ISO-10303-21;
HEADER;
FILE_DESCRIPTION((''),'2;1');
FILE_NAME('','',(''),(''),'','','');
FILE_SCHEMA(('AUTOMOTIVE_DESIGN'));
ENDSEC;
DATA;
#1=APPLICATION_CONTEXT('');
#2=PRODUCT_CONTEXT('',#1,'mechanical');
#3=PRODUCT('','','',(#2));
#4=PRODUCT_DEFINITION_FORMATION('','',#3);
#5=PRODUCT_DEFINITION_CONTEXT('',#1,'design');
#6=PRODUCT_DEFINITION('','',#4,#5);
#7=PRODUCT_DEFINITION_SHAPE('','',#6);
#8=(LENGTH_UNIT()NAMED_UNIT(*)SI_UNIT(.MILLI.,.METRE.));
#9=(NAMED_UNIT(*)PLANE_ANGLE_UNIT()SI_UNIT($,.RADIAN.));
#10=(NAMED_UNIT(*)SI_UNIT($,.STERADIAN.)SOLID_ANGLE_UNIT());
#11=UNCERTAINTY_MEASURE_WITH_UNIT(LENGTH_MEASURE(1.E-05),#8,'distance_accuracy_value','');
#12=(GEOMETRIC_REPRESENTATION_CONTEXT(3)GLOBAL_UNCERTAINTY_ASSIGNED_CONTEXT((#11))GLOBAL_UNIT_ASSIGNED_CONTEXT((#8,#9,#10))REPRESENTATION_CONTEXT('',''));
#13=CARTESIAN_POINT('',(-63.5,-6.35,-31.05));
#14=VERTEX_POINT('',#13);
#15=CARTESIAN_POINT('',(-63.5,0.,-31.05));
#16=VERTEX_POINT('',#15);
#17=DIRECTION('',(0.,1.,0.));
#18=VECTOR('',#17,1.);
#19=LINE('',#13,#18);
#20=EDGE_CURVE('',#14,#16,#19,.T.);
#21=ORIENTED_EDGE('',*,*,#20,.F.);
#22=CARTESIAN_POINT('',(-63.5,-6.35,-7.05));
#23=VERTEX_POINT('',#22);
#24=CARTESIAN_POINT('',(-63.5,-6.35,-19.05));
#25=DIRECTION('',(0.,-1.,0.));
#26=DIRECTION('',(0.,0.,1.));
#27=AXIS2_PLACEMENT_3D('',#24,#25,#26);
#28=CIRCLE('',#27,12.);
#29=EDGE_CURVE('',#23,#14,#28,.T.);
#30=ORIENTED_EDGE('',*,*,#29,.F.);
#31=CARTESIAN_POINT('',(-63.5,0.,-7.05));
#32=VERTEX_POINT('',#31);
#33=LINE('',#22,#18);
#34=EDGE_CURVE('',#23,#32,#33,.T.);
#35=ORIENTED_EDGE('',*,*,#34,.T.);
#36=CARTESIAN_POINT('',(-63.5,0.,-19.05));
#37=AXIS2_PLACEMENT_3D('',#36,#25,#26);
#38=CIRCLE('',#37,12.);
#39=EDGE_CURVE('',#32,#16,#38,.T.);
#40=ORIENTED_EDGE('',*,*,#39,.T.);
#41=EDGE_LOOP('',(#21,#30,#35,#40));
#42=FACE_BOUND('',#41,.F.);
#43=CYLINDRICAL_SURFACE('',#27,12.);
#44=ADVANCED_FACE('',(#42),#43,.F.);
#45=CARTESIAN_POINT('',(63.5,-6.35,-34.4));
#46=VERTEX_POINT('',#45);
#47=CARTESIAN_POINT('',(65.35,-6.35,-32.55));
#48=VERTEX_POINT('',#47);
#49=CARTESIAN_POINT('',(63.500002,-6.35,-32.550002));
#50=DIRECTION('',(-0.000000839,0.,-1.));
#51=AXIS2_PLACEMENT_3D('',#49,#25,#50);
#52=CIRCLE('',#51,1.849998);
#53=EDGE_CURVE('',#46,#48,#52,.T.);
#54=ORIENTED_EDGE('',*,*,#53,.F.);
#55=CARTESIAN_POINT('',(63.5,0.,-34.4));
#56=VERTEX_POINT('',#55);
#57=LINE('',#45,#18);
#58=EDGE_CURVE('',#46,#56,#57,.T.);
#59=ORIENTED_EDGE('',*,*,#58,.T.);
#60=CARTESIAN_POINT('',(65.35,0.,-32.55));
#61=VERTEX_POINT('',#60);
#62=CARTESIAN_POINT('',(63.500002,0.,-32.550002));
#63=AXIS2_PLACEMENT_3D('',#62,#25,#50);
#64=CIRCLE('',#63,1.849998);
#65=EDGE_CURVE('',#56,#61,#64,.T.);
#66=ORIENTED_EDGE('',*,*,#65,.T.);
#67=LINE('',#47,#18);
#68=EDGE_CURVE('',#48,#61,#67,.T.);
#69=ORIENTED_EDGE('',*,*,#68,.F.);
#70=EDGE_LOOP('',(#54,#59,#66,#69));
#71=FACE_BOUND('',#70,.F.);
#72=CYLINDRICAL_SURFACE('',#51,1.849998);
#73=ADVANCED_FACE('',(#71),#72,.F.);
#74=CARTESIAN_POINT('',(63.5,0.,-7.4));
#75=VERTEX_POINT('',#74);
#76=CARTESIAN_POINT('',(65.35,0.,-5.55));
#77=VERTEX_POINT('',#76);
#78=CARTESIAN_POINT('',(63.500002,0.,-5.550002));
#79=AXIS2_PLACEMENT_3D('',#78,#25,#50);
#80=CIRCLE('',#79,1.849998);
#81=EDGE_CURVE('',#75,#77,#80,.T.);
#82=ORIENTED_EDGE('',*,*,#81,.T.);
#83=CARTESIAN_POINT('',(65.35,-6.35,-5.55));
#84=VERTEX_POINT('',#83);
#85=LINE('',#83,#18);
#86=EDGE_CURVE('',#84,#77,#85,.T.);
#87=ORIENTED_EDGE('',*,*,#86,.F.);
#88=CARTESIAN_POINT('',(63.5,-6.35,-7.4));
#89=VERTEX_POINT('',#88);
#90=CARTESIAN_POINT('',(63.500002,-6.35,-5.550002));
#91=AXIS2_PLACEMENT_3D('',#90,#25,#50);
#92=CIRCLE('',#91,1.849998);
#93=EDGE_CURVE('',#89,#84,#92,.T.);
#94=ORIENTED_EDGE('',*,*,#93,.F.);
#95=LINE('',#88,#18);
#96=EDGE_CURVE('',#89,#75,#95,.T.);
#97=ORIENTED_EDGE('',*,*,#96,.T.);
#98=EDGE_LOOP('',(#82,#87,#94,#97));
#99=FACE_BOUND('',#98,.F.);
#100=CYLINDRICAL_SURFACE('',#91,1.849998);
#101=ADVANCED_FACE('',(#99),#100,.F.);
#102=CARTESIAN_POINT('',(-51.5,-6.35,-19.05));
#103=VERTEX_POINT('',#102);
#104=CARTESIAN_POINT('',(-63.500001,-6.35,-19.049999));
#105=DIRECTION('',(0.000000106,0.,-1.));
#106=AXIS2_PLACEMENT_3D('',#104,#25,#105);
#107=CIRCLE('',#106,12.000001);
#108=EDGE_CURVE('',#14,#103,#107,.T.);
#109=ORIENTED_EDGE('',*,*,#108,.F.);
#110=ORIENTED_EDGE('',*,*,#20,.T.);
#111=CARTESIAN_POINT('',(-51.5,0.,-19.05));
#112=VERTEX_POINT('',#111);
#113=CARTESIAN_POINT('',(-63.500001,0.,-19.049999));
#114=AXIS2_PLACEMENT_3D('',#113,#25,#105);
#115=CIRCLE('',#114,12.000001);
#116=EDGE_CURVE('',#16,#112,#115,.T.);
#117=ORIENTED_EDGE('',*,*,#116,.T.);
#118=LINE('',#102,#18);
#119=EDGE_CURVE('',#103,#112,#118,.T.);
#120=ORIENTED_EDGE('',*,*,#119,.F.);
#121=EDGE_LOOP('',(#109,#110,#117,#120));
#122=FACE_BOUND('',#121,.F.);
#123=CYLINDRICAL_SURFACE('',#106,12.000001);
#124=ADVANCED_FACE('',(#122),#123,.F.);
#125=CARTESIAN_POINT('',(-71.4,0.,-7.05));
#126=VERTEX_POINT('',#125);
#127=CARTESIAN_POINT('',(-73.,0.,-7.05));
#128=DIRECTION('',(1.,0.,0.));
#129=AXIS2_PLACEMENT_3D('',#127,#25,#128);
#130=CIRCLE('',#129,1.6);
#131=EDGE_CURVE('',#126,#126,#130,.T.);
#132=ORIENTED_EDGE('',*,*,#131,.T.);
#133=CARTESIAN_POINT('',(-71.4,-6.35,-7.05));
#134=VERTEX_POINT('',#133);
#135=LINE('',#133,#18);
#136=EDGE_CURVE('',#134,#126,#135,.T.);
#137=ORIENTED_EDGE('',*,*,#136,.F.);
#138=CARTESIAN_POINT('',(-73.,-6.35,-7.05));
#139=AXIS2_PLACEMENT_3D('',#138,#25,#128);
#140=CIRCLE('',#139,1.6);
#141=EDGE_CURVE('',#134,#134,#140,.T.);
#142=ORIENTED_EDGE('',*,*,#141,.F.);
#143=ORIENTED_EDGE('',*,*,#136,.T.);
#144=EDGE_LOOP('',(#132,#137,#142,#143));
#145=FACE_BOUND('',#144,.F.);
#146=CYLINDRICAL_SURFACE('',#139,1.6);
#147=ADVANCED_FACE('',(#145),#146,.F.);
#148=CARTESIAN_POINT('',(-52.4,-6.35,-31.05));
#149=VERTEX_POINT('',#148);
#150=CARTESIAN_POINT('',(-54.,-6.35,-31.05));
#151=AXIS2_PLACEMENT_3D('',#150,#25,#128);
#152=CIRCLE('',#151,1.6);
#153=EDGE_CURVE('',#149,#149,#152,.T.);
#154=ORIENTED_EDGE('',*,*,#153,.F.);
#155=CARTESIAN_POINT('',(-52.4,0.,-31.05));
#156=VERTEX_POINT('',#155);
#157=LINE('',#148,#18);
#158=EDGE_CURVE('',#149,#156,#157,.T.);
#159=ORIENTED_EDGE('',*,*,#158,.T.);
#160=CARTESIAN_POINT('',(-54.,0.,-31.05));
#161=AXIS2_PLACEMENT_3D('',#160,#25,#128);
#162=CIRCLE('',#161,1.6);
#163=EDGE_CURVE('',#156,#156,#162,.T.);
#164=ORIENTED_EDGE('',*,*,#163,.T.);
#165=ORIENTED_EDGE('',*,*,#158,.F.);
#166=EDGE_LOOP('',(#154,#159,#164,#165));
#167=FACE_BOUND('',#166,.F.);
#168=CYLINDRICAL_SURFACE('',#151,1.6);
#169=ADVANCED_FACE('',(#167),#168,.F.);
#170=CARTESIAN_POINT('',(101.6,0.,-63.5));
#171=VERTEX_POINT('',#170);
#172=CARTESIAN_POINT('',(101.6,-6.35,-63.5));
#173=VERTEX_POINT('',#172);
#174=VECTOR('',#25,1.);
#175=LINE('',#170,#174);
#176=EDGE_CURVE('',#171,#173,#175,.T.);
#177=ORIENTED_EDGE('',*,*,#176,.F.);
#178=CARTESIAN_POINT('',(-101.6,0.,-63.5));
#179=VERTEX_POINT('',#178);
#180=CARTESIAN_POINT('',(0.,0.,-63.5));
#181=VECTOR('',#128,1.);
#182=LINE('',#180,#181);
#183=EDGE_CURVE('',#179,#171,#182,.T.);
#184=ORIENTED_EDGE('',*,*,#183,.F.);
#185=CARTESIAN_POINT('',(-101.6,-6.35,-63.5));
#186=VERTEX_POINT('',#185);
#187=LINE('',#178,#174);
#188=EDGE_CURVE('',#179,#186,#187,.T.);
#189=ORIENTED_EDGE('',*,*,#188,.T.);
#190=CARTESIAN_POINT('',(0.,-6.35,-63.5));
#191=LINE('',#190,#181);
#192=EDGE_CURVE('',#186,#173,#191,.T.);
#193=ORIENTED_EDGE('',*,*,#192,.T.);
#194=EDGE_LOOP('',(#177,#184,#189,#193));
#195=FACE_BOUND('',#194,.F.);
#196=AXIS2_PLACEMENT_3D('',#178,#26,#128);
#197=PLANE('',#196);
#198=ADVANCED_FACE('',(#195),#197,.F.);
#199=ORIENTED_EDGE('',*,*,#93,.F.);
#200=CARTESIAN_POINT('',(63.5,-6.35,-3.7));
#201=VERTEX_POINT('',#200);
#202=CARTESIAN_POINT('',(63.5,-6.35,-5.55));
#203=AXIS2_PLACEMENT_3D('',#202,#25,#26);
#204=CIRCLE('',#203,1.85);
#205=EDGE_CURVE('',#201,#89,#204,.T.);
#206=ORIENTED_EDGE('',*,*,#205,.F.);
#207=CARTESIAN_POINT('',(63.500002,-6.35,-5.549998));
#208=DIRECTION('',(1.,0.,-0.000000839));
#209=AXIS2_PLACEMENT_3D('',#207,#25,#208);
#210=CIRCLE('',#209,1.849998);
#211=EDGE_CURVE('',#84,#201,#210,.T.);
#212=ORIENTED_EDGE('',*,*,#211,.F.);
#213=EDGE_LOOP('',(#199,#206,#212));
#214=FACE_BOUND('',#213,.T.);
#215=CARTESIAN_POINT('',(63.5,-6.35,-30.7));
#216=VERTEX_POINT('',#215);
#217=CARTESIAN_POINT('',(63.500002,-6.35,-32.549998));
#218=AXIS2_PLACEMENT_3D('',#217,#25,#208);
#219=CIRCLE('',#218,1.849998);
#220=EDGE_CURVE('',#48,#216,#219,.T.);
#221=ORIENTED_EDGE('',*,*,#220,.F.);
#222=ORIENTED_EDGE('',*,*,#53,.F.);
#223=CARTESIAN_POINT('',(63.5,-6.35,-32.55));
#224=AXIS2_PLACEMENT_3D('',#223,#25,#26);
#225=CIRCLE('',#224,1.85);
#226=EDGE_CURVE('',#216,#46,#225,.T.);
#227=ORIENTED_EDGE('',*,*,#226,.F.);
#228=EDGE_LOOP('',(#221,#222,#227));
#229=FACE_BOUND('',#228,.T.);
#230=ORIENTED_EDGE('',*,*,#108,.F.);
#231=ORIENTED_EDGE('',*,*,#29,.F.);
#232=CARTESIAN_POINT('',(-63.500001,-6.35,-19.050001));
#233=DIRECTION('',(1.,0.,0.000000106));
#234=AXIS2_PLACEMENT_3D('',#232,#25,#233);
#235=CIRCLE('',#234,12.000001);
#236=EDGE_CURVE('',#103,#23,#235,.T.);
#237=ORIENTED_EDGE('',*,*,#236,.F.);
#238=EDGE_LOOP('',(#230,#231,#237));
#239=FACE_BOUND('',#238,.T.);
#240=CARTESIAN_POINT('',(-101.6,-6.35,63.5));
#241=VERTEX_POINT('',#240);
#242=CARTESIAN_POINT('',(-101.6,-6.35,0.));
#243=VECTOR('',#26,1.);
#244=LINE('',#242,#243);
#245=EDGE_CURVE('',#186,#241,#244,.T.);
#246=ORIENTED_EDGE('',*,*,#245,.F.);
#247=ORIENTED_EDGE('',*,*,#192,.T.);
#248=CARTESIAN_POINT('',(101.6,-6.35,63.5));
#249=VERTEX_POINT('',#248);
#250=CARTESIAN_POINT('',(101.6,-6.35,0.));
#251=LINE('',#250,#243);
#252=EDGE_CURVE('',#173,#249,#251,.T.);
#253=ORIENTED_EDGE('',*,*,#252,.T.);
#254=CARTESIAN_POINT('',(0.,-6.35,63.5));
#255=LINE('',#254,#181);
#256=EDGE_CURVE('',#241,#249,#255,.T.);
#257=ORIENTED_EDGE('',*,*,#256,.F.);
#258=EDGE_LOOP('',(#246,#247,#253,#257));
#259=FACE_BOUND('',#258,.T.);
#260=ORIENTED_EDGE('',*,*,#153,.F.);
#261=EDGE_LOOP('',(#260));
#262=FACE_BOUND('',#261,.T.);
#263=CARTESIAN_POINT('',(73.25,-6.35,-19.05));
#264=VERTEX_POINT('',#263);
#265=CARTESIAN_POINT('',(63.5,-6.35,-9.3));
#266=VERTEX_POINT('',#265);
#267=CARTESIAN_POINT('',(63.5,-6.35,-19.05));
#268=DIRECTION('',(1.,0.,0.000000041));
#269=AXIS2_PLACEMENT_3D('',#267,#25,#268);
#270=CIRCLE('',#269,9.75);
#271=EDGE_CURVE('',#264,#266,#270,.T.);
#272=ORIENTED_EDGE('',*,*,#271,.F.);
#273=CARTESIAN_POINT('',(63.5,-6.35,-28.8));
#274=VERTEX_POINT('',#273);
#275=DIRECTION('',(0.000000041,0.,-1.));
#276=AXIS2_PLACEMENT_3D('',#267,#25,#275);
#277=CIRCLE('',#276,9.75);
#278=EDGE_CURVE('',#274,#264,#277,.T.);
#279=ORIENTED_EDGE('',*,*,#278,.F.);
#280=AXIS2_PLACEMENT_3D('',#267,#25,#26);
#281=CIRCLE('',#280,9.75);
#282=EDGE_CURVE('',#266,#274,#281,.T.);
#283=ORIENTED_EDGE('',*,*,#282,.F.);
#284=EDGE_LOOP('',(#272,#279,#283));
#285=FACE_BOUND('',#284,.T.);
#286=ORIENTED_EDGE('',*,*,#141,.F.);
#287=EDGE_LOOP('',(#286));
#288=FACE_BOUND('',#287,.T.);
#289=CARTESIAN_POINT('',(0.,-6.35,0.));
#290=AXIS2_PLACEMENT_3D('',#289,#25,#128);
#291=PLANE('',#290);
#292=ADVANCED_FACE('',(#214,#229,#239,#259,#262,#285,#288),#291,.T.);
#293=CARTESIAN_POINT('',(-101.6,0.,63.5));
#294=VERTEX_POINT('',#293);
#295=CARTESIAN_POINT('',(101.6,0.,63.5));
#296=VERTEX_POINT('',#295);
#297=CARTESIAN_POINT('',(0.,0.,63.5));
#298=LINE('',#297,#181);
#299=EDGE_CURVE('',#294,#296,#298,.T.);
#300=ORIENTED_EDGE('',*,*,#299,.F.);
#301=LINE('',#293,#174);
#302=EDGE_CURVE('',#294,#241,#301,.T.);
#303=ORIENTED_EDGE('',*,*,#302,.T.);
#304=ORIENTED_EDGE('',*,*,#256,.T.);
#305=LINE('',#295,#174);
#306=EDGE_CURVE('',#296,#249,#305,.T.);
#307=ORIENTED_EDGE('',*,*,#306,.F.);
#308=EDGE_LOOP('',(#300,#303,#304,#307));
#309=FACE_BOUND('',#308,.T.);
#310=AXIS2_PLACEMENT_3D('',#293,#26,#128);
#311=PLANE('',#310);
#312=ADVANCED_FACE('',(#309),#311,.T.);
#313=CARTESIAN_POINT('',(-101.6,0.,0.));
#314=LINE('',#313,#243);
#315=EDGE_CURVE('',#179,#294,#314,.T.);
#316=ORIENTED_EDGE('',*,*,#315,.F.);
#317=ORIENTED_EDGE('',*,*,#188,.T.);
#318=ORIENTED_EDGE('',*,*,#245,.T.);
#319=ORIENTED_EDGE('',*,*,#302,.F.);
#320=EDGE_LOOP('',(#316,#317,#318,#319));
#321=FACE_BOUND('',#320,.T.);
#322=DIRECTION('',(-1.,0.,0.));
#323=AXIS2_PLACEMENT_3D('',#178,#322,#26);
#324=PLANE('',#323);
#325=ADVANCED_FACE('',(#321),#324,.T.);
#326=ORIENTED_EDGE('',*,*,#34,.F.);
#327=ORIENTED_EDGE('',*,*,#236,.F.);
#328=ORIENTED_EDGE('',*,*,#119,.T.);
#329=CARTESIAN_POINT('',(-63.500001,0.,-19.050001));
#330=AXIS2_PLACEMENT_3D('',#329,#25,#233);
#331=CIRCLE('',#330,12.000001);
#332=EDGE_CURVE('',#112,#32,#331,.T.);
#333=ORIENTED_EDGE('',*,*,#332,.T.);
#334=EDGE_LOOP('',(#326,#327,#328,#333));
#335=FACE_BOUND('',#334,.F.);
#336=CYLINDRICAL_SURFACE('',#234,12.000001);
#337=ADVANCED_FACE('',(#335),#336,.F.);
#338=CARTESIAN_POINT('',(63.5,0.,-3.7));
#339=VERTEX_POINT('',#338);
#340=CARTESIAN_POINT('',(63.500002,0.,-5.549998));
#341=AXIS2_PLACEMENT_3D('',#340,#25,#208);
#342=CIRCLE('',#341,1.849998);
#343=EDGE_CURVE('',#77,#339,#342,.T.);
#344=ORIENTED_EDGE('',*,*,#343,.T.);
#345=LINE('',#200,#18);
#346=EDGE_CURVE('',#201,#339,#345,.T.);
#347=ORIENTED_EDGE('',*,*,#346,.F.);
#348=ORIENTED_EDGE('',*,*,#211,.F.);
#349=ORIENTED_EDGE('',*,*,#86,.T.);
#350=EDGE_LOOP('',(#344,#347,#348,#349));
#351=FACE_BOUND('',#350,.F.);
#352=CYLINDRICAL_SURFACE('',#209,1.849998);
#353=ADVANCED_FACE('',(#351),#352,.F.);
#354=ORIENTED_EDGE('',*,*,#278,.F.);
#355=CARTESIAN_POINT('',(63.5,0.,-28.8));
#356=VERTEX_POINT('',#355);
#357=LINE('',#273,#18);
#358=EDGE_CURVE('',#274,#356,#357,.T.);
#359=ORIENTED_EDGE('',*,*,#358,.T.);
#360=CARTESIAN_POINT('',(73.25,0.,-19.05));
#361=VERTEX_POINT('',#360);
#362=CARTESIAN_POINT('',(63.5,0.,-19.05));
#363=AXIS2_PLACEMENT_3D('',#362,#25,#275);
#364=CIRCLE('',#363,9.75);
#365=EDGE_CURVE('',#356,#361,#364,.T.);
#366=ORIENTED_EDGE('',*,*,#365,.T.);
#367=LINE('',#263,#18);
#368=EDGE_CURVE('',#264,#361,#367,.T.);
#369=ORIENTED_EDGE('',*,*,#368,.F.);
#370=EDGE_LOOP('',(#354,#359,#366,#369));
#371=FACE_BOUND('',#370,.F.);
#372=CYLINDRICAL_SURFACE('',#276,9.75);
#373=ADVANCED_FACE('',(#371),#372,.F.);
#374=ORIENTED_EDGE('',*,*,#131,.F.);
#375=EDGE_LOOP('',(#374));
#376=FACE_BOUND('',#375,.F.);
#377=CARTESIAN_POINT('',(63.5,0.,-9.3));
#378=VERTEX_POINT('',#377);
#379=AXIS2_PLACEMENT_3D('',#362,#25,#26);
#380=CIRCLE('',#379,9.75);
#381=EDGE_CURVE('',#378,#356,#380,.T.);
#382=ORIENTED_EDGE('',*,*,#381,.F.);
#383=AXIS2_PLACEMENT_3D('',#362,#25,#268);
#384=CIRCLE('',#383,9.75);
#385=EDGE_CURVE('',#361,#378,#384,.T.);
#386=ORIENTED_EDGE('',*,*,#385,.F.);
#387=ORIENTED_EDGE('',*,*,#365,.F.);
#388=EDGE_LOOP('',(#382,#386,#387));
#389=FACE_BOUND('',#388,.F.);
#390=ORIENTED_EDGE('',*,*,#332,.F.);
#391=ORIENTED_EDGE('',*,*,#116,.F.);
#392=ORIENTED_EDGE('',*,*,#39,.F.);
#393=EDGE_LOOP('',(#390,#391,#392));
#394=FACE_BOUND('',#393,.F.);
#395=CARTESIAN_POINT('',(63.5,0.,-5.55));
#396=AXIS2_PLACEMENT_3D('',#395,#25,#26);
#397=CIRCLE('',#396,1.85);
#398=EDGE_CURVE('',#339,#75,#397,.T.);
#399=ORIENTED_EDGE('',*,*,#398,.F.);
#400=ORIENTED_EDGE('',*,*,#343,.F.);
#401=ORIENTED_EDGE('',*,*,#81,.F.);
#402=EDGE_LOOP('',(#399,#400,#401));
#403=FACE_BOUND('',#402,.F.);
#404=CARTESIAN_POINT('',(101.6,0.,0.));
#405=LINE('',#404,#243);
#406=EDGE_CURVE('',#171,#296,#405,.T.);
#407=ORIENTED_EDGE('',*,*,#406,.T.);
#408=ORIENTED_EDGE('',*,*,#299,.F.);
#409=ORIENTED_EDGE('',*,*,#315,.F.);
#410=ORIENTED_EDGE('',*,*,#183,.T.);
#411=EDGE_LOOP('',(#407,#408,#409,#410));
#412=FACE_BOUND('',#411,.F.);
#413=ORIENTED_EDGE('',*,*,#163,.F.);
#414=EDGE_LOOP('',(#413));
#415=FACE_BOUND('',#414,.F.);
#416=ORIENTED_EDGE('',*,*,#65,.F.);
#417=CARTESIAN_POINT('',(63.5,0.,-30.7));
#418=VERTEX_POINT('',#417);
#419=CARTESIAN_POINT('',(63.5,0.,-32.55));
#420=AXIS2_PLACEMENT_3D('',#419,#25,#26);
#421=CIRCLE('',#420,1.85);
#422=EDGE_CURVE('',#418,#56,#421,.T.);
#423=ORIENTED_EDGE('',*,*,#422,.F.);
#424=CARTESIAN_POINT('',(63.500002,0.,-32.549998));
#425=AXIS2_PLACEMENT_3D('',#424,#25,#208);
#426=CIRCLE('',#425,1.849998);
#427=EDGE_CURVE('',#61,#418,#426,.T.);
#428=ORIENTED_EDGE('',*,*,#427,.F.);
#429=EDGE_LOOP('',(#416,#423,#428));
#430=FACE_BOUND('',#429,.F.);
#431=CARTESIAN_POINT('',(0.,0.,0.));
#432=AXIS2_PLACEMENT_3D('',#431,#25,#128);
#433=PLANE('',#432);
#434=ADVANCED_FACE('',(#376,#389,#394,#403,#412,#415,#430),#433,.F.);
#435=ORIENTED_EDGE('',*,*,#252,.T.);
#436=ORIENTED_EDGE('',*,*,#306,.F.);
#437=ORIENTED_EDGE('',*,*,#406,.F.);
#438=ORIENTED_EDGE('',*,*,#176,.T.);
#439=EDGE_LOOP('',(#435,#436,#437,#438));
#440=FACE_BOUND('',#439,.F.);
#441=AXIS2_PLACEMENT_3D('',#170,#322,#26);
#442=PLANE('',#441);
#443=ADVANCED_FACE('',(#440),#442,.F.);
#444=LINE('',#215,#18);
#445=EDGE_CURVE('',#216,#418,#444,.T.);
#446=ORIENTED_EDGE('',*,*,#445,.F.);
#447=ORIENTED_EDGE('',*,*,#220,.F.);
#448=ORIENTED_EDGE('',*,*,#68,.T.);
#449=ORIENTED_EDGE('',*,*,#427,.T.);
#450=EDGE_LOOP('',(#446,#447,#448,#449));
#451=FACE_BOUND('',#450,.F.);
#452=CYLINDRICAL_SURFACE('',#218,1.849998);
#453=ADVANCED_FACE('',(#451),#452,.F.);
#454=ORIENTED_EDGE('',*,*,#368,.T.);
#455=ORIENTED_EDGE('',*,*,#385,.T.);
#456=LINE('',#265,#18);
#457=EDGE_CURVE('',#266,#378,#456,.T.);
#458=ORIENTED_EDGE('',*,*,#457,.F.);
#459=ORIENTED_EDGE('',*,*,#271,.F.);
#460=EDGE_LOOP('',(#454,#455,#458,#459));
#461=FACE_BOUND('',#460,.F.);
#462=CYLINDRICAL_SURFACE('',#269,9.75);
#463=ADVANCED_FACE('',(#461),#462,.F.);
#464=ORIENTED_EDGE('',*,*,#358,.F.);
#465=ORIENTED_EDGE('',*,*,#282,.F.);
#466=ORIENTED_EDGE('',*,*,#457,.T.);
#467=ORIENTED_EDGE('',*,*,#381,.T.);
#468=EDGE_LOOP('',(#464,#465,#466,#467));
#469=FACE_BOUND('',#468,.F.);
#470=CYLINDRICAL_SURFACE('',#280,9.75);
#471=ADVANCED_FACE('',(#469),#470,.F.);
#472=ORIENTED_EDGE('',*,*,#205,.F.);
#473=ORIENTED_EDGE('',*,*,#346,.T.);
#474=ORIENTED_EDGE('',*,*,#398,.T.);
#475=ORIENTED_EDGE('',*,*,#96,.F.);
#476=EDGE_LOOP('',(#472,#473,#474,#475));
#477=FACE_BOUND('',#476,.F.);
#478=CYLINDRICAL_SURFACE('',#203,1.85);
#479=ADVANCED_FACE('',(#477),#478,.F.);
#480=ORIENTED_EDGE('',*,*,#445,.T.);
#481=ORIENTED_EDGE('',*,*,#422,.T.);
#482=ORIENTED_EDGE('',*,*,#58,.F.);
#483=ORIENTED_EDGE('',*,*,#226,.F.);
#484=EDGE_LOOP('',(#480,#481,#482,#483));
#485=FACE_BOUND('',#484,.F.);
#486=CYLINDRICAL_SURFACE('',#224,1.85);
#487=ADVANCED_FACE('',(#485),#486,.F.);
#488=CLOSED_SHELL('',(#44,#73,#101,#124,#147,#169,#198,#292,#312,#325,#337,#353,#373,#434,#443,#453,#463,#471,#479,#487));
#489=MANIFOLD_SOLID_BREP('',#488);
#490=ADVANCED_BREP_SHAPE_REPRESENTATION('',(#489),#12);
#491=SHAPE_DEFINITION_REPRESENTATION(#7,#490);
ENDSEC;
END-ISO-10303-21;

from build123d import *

# Parameters (mm, degrees)
F0_W     = 203.2
F0_H     = 127
F1_DEPTH = 6.35
F2_R     = 1.6
F3_DEPTH = 6.35


with BuildPart() as f1:
    # F0 (on Front) → F1 (new body)
    with BuildSketch(Plane.XZ):
        Rectangle(F0_W, F0_H)
    extrude(amount=F1_DEPTH)

    # F2 (on face) → F3 (cut, through all)
    with BuildSketch(Plane.XZ.offset(6.35)):
        with BuildLine():
            ThreePointArc((-51.5, -19.05), (-55.014719, -10.564719), (-63.5, -7.05))
            Line((-63.5, -7.05), (-63.5, -31.05))
            ThreePointArc((-63.5, -31.05), (-55.014719, -27.535281), (-51.5, -19.05))
        make_face()
        with BuildLine():
            Line((-63.5, -31.05), (-63.5, -7.05))
            ThreePointArc((-63.5, -7.05), (-75.5, -19.05), (-63.5, -31.05))
        make_face()
        with Locations((-73, -7.05)):
            Circle(F2_R)
        with Locations((-54, -31.05)):
            Circle(F2_R)
        with BuildLine():
            ThreePointArc((65.35, -5.55), (64.808148, -4.241852), (63.5, -3.7))
            Line((63.5, -3.7), (63.5, -7.4))
            ThreePointArc((63.5, -7.4), (64.808148, -6.858148), (65.35, -5.55))
        make_face()
        with BuildLine():
            ThreePointArc((65.35, -32.55), (64.808148, -31.241852), (63.5, -30.7))
            Line((63.5, -30.7), (63.5, -34.4))
            ThreePointArc((63.5, -34.4), (64.808148, -33.858148), (65.35, -32.55))
        make_face()
        with BuildLine():
            Line((63.5, -34.4), (63.5, -30.7))
            ThreePointArc((63.5, -30.7), (61.65, -32.55), (63.5, -34.4))
        make_face()
        with BuildLine():
            ThreePointArc((73.25, -19.05), (70.394291, -12.155709), (63.5, -9.3))
            Line((63.5, -9.3), (63.5, -28.8))
            ThreePointArc((63.5, -28.8), (70.394291, -25.944291), (73.25, -19.05))
        make_face()
        with BuildLine():
            Line((63.5, -28.8), (63.5, -9.3))
            ThreePointArc((63.5, -9.3), (53.75, -19.05), (63.5, -28.8))
        make_face()
        with BuildLine():
            Line((63.5, -7.4), (63.5, -3.7))
            ThreePointArc((63.5, -3.7), (61.65, -5.55), (63.5, -7.4))
        make_face()
    extrude(amount=-F3_DEPTH, mode=Mode.SUBTRACT)


solid = f1.part
